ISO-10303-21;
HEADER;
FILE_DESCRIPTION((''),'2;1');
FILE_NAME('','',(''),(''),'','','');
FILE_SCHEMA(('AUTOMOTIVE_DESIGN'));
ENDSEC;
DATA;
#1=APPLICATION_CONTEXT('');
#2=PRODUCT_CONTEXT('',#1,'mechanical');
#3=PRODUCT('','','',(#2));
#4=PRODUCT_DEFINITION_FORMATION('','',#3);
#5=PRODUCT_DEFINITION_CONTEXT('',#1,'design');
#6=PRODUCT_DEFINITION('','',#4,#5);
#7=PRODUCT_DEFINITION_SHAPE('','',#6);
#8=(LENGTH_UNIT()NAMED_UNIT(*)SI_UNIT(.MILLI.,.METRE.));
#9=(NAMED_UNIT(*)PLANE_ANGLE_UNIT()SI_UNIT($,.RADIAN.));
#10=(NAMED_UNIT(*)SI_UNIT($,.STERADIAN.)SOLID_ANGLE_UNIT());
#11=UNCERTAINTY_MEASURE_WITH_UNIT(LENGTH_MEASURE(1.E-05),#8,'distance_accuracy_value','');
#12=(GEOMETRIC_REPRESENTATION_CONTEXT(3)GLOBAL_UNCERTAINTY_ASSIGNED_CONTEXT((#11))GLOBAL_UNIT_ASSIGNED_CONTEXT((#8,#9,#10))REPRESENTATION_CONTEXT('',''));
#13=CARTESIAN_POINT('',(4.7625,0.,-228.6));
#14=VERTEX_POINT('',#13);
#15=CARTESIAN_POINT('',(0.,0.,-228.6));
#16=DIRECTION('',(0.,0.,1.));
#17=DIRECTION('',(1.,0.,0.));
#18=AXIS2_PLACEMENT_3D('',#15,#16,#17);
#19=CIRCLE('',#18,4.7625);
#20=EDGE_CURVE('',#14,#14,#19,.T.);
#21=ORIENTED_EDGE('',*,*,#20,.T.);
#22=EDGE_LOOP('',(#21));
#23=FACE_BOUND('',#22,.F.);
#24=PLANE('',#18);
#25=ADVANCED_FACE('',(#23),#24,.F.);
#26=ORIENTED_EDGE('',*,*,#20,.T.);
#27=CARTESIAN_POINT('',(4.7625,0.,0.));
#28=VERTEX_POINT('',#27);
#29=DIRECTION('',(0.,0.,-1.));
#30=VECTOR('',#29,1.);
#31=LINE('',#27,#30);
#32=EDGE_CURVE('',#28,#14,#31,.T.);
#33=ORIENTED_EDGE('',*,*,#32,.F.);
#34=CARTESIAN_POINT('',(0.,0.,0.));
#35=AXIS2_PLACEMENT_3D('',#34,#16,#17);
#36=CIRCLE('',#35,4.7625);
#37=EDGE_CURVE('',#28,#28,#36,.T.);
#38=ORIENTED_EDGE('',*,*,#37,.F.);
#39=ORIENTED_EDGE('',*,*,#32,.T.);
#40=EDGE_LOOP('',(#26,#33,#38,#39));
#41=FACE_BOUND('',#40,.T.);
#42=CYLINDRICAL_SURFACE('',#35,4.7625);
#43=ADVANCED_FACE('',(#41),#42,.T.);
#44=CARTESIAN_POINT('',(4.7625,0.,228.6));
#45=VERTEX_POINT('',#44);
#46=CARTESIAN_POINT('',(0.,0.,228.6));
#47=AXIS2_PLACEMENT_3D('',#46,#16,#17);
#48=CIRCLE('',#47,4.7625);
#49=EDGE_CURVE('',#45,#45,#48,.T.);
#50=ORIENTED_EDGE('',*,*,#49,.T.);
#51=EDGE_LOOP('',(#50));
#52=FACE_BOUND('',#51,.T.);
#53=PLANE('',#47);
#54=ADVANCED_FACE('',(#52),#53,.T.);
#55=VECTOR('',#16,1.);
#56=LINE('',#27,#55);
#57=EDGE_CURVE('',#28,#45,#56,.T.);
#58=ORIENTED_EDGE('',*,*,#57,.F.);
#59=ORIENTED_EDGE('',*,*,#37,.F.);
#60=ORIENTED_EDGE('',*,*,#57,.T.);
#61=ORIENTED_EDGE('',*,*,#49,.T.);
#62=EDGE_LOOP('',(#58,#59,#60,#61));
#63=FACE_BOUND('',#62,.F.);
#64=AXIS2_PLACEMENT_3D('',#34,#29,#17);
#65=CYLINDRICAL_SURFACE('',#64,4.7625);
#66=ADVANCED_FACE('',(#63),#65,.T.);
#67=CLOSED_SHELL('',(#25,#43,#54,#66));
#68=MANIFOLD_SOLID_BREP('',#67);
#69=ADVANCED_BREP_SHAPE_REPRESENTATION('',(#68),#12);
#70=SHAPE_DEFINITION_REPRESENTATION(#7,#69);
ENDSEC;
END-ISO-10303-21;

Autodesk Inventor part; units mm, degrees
ref_plane "YZ Plane" through (0, 0, 0) normal (1, 0, 0) x (0, 1, 0)
ref_plane "XZ Plane" through (0, 0, 0) normal (0, 1, 0) x (-1, 0, 0)
ref_plane "XY Plane" through (0, 0, 0) normal (0, 0, 1) x (1, 0, 0)
sketch "Sketch1" plane through (0, 0, 0) normal (0, 0, 1) x (1, 0, 0)
  circle A0 centre (0, 0) radius 4.7625
  dimension "d0" = 9.525
extrude "Extrusion1" add sketch "Sketch1" along normal mid plane 457.2
properties part number "LiftRod"
